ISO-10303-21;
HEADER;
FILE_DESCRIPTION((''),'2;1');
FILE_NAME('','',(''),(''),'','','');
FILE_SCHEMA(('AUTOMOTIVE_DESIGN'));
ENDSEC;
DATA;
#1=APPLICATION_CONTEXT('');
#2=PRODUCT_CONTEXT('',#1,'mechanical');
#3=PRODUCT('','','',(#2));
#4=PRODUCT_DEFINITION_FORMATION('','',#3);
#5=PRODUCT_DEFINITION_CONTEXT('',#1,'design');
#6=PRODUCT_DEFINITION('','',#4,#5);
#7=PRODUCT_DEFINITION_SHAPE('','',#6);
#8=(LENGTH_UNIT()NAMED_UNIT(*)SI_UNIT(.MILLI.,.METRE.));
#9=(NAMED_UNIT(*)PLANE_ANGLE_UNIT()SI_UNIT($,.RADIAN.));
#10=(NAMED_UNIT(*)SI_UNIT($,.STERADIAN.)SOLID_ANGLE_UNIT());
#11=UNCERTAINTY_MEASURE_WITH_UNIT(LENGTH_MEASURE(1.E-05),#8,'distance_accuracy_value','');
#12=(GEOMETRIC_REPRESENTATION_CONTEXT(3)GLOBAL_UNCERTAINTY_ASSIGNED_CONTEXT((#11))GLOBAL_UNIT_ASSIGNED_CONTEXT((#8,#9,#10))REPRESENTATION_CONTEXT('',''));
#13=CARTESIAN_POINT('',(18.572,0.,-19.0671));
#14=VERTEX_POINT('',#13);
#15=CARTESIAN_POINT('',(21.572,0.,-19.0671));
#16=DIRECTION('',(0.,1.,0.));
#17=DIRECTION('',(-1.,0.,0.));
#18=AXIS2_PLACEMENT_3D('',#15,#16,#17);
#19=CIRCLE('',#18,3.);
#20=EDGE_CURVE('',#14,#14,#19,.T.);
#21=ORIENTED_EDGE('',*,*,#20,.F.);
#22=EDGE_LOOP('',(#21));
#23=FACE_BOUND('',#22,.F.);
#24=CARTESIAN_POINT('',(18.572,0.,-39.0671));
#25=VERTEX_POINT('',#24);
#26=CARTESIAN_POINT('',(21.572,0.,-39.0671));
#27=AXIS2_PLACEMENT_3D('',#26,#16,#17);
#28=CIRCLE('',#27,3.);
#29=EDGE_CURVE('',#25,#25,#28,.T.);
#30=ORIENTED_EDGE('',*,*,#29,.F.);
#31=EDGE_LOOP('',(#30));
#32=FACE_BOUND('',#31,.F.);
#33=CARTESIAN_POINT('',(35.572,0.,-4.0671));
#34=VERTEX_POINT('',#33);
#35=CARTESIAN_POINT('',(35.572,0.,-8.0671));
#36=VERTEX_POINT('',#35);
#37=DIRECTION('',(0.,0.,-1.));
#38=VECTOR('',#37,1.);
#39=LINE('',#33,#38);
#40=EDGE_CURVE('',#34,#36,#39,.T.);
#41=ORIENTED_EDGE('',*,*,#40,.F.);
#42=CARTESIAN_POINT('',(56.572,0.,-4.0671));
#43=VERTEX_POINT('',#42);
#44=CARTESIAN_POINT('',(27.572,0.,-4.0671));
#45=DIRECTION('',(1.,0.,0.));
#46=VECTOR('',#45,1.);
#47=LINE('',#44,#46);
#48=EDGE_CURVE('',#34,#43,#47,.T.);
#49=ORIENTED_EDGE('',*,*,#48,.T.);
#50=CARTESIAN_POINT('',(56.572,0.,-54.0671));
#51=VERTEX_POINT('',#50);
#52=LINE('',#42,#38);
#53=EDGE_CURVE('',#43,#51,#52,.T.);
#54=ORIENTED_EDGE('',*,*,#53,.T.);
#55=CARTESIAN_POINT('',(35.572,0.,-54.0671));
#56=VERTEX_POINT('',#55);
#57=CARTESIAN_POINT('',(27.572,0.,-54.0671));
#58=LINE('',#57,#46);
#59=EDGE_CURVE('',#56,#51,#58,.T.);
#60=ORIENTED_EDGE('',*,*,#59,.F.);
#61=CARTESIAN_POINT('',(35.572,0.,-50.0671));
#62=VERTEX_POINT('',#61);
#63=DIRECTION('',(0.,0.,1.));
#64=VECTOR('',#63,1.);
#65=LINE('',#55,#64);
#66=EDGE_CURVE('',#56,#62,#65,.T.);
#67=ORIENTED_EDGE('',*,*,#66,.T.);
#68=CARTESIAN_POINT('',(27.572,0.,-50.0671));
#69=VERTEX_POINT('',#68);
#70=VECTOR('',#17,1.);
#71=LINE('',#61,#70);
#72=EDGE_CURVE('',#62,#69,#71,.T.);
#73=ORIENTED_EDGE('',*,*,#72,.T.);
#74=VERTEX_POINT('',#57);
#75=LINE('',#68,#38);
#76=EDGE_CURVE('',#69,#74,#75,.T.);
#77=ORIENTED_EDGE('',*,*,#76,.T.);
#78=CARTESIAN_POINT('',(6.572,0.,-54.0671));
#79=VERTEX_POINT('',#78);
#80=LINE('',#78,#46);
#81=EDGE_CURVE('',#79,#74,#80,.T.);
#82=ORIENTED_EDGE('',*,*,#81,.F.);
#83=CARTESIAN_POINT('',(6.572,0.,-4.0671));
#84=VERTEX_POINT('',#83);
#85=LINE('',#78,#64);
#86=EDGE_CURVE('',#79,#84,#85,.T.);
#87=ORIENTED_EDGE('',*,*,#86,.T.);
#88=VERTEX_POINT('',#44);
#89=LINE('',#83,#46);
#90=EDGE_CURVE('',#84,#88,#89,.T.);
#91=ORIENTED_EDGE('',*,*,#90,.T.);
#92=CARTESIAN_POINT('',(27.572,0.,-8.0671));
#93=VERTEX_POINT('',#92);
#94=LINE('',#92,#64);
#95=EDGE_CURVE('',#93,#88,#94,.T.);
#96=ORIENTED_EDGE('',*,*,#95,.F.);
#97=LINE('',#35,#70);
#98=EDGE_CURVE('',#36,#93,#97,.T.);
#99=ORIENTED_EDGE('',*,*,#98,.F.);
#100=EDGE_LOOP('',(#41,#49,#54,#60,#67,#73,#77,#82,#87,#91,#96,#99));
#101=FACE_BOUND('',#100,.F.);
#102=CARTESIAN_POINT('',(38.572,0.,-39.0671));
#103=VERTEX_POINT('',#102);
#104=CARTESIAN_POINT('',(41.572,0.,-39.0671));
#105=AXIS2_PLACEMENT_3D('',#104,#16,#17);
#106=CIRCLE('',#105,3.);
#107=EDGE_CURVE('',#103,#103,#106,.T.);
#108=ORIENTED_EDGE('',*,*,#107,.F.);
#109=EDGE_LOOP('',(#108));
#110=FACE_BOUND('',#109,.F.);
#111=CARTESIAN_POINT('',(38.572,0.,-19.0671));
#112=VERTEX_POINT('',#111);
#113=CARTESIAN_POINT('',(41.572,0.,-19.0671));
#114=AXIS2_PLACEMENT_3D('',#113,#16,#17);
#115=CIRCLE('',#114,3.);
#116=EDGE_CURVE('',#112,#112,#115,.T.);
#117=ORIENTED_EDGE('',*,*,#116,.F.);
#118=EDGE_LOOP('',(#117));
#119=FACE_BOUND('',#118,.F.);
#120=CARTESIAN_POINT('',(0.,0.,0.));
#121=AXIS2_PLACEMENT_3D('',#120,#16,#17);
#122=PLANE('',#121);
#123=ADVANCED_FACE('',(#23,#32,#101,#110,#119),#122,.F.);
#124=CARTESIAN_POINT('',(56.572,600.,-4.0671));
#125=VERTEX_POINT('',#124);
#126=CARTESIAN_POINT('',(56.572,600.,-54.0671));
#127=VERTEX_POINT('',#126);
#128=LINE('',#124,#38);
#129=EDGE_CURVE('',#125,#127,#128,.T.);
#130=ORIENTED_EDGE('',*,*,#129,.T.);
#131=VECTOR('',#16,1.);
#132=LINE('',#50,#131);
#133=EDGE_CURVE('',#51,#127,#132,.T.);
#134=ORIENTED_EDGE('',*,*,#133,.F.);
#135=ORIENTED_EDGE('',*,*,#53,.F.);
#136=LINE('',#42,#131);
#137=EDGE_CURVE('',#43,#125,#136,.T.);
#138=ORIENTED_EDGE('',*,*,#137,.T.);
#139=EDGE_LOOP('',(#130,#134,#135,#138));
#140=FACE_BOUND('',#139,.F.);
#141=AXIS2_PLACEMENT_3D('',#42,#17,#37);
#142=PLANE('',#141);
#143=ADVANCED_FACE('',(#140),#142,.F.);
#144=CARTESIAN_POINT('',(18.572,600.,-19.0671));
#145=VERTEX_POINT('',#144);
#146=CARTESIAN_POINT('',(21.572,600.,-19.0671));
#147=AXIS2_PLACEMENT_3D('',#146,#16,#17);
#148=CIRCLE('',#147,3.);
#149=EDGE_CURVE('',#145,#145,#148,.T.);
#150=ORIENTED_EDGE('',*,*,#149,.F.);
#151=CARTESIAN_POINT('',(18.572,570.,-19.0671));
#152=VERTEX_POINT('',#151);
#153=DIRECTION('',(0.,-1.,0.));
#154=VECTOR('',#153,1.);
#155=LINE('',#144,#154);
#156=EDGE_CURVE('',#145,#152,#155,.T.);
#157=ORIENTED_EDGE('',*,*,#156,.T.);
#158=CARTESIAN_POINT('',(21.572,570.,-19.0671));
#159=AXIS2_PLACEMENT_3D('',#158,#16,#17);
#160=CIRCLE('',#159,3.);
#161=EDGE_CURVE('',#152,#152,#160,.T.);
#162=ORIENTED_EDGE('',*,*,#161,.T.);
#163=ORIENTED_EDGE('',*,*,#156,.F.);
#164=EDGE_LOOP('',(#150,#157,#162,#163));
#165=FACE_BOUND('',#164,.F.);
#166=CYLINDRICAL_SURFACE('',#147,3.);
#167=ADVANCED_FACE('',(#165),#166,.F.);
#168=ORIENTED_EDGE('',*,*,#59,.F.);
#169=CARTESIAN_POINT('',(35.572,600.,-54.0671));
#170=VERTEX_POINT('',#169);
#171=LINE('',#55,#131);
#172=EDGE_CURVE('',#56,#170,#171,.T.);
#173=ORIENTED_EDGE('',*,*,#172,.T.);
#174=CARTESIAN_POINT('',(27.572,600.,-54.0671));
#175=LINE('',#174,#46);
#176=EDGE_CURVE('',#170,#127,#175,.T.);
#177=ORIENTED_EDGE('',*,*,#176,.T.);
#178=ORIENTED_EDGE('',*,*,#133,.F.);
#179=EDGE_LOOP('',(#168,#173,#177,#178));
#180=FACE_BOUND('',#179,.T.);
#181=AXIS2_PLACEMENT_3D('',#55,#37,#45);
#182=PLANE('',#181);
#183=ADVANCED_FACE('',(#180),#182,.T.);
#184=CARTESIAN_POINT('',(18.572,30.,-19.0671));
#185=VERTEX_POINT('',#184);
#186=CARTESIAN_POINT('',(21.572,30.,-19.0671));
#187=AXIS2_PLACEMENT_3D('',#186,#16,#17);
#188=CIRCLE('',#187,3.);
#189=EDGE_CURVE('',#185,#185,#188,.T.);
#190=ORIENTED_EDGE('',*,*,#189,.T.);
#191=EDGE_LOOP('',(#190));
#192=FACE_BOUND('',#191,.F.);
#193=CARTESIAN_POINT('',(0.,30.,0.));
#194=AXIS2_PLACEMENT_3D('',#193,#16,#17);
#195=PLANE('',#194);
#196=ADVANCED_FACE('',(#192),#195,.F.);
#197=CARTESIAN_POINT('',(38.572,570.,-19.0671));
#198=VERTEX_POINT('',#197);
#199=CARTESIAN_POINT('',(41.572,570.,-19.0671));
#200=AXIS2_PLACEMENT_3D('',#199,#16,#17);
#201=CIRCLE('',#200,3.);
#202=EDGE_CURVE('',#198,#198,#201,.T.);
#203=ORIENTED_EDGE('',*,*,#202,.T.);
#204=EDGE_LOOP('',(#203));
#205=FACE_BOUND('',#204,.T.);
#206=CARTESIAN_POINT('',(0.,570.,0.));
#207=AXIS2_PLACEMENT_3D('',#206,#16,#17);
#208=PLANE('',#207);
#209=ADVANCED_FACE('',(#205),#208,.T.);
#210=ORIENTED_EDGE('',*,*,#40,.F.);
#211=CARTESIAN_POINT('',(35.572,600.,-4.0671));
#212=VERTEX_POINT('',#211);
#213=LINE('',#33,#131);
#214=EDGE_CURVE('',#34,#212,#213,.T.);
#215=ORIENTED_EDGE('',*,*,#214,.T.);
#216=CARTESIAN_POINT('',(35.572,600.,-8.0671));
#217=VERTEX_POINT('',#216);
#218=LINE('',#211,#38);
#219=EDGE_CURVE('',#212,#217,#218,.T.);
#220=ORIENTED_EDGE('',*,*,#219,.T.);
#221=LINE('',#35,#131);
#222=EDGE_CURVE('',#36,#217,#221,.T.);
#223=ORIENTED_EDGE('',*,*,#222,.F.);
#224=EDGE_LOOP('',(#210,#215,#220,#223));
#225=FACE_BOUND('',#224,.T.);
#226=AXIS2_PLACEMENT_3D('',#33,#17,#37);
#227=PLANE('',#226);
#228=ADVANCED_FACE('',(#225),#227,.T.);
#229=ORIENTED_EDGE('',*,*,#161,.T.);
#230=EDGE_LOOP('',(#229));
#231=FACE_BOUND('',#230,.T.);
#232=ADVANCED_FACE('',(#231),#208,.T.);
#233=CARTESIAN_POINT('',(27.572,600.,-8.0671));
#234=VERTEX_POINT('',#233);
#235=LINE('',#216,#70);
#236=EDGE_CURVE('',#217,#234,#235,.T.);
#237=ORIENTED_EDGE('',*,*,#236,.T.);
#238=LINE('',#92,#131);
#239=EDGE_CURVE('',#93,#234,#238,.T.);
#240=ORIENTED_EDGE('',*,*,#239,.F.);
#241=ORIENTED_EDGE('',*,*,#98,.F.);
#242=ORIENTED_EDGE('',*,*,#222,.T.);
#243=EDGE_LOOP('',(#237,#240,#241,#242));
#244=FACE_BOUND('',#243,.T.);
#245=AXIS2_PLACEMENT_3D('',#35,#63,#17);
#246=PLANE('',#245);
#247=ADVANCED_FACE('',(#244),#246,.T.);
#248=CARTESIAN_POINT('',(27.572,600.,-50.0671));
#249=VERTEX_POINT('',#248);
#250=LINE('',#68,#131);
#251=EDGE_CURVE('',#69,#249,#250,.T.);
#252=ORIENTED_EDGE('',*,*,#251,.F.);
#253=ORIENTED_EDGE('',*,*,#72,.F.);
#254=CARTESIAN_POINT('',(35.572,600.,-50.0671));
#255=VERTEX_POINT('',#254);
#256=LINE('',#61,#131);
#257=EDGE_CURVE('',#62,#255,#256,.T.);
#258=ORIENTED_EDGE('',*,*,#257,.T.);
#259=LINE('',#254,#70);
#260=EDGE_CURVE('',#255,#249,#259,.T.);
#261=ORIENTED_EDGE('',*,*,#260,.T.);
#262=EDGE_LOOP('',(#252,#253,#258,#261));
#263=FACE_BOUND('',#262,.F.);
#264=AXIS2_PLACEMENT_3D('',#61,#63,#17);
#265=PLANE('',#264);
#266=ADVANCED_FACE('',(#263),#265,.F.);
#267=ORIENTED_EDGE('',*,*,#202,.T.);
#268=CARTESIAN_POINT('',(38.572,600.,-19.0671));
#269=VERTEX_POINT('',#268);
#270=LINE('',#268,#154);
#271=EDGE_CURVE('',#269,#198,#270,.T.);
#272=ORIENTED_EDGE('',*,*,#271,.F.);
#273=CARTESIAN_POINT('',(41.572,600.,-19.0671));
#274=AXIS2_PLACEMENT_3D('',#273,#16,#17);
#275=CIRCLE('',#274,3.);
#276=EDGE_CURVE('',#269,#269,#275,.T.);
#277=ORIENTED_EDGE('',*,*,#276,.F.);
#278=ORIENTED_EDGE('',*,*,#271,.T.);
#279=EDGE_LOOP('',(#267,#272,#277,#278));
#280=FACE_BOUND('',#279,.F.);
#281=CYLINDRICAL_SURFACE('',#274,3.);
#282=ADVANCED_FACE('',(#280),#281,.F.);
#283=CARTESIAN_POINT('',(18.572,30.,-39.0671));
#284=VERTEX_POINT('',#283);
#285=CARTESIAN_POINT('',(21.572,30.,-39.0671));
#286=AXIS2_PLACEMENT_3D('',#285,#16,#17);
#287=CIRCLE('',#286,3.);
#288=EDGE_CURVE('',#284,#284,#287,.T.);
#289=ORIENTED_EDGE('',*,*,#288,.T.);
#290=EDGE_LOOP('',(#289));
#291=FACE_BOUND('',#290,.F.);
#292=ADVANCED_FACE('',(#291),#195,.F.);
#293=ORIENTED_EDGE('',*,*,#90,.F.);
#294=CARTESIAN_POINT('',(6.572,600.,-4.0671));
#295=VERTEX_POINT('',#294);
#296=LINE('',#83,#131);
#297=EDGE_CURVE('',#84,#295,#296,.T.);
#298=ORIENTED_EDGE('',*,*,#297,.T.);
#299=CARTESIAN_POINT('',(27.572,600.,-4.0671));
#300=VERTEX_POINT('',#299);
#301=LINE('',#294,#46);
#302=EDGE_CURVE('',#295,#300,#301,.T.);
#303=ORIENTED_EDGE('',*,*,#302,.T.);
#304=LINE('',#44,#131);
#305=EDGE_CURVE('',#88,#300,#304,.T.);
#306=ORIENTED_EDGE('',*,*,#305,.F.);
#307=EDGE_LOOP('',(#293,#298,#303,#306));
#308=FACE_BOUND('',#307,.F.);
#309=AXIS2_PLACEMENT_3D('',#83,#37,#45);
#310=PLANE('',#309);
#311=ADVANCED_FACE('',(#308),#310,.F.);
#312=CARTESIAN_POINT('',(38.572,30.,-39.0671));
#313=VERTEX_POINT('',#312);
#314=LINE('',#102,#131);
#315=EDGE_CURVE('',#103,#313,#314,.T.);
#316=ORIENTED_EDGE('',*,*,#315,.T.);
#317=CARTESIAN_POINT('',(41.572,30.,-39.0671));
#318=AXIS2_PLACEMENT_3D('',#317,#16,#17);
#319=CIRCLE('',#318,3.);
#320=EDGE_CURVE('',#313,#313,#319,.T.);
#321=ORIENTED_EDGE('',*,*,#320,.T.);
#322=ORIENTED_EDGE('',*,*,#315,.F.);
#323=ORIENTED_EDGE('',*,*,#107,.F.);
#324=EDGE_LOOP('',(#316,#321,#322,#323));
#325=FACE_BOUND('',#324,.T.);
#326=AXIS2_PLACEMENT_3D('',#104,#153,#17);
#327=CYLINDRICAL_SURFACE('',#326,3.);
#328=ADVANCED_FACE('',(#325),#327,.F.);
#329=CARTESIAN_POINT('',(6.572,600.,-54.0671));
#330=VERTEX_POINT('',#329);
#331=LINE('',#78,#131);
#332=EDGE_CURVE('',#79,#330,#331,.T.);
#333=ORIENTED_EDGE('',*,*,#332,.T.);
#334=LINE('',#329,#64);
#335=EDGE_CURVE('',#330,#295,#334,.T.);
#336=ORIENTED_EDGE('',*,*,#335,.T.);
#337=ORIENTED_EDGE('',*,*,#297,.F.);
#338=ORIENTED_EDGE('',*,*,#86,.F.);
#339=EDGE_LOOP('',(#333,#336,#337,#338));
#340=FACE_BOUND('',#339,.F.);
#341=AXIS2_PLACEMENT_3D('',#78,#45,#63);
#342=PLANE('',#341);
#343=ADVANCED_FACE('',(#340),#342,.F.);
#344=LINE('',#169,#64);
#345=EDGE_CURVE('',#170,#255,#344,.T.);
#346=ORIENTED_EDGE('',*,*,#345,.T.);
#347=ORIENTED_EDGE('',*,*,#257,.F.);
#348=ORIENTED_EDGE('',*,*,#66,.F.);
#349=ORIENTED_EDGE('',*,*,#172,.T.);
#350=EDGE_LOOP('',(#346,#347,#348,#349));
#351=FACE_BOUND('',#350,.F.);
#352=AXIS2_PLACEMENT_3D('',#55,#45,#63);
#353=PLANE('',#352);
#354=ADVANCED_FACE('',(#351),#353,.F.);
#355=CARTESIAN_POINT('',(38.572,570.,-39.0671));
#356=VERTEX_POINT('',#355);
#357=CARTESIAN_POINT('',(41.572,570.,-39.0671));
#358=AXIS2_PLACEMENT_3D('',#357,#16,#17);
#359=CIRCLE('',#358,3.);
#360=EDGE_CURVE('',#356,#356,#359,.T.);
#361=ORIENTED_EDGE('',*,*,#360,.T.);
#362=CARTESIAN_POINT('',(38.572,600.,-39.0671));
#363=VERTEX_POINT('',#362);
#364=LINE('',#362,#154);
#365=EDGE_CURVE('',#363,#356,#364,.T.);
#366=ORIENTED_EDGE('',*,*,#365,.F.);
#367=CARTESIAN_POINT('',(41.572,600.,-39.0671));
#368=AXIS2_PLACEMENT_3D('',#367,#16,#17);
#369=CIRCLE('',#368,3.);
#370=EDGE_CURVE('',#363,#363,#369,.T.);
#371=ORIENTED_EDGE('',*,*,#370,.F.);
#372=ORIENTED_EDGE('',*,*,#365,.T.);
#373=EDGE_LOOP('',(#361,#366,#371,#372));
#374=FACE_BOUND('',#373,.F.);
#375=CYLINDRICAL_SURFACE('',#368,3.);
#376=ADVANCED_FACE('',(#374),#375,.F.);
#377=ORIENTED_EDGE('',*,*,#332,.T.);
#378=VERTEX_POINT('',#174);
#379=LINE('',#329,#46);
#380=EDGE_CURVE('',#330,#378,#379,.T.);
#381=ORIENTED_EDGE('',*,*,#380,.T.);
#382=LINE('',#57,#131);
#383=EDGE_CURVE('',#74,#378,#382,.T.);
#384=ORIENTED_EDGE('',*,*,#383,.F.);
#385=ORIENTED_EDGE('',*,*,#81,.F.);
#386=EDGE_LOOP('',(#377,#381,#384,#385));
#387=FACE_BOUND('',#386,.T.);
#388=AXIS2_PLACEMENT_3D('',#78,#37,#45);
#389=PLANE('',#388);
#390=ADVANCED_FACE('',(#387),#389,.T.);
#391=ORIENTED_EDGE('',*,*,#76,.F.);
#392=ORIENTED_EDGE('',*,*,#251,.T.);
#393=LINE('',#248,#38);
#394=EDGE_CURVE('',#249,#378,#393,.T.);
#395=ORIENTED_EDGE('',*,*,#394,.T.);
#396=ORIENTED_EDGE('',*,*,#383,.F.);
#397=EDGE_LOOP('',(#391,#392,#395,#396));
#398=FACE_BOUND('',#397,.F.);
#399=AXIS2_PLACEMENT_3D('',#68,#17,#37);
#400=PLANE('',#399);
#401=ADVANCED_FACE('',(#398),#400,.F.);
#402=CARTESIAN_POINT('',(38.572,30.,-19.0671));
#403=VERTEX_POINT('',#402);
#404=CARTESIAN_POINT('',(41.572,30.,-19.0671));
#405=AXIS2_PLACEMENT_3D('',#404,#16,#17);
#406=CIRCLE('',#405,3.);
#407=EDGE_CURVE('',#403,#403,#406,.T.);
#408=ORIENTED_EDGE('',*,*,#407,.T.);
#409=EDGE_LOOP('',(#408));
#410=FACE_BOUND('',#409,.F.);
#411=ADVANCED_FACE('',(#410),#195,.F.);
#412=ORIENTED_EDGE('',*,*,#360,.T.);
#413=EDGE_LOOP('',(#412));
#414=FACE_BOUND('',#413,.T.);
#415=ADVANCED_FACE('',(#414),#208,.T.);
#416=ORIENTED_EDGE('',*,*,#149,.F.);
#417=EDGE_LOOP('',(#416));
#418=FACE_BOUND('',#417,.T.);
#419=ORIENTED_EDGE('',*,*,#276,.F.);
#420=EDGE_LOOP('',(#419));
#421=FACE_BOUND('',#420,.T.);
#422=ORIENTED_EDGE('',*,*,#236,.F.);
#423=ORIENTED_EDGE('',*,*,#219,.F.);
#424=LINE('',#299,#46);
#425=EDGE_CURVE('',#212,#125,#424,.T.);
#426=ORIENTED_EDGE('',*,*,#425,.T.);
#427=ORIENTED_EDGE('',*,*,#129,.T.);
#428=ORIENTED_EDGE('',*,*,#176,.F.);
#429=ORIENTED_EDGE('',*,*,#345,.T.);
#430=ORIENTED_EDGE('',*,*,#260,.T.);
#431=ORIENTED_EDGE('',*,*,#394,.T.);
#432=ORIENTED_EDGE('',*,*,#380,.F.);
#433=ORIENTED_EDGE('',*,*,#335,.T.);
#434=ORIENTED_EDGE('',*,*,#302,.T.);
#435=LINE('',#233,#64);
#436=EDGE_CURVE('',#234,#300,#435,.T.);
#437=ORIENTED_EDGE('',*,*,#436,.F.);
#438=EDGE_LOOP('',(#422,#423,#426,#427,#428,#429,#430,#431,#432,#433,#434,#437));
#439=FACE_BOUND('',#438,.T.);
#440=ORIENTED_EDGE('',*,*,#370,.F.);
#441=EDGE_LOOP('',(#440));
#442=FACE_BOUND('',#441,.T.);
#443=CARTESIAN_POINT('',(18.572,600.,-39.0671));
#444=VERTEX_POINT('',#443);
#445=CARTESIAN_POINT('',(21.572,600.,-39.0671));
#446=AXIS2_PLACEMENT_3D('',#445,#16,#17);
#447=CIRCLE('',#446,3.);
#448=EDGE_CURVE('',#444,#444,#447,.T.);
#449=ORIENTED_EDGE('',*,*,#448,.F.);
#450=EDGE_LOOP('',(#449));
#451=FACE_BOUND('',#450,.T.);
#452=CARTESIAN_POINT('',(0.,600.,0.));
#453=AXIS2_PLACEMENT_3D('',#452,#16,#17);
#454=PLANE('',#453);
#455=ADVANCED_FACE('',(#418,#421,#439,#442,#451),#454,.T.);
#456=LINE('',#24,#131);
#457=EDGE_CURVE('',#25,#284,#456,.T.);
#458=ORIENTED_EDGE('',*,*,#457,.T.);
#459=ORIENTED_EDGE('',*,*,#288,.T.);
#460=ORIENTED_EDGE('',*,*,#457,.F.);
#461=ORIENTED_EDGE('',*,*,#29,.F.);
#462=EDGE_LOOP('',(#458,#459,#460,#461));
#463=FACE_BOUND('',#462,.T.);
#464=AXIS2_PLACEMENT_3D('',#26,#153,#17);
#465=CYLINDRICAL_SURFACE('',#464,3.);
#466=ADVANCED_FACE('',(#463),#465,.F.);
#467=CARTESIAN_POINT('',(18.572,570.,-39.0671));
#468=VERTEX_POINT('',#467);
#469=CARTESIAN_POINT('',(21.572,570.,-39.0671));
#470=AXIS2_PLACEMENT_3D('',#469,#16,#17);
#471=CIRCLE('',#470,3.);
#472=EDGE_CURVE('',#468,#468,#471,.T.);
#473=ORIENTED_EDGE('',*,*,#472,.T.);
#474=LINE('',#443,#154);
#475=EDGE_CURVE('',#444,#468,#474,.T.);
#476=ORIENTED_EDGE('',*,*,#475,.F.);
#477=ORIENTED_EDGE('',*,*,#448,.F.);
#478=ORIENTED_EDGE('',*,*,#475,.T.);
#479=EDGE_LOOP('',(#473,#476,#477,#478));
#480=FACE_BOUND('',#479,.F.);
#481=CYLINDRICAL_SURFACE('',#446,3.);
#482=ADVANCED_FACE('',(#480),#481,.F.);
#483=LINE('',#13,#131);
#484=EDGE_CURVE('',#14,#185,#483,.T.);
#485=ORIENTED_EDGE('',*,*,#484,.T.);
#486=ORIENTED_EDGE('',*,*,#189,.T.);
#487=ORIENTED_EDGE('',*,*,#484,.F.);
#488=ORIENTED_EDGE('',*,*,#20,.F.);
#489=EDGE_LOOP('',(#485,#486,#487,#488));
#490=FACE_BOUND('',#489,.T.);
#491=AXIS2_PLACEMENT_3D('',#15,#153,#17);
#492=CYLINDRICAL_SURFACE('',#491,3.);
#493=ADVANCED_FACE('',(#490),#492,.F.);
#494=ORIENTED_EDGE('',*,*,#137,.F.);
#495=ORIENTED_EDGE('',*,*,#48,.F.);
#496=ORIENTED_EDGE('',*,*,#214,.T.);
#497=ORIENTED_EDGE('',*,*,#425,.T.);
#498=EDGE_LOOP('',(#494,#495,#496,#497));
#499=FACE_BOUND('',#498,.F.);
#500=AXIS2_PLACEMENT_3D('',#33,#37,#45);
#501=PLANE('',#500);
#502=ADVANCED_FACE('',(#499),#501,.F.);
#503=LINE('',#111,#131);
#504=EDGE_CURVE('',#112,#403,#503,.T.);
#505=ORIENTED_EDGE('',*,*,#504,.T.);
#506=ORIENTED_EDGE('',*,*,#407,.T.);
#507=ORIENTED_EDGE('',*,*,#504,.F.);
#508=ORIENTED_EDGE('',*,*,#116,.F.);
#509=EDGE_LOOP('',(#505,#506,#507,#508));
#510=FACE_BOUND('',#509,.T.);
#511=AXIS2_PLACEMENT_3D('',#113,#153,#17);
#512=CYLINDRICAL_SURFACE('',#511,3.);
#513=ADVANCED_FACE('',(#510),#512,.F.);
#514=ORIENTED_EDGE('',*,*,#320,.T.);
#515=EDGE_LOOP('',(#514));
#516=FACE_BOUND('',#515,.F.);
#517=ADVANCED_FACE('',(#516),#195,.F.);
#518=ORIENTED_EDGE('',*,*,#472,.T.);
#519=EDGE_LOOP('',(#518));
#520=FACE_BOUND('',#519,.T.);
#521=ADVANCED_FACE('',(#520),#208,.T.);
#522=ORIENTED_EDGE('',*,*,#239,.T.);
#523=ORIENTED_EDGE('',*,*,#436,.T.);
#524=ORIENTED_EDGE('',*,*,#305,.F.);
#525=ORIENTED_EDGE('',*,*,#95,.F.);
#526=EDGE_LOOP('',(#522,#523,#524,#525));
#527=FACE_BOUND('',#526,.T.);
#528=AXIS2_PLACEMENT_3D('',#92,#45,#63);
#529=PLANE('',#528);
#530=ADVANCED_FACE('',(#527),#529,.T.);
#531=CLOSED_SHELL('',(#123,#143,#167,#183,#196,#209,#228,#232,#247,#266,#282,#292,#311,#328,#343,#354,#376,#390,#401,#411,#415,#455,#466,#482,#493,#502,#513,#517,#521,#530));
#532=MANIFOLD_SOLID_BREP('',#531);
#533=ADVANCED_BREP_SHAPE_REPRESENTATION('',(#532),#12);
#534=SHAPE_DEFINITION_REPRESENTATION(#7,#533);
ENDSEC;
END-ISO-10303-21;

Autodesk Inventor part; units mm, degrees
ref_plane "YZ Plane" through (0, 0, 0) normal (1, 0, 0) x (0, 1, 0)
ref_plane "XZ Plane" through (0, 0, 0) normal (0, 1, 0) x (-1, 0, 0)
ref_plane "XY Plane" through (0, 0, 0) normal (0, 0, 1) x (1, 0, 0)
sketch "Sketch3" plane through (0, 0, 0) normal (0, 1, 0) x (-1, 0, 0)
  line L0 (-56.572, -4.0671) -> (-56.572, -54.0671)
  line L1 (-6.572, -54.0671) -> (-6.572, -4.0671)
  line L2 (-6.572, -4.0671) -> (-35.572, -4.0671)
  line L3 (-35.572, -4.0671) -> (-35.572, -8.0671)
  line L4 (-35.572, -8.0671) -> (-27.572, -8.0671)
  line L5 (-27.572, -8.0671) -> (-27.572, -4.0671)
  line L6 (-27.572, -4.0671) -> (-56.572, -4.0671)
  line L7 (-6.572, -29.0671) -> (-22.7851, -29.0671) construction
  line L8 (-6.572, -54.0671) -> (-35.572, -54.0671)
  line L9 (-35.572, -54.0671) -> (-35.572, -50.0671)
  line L10 (-35.572, -50.0671) -> (-27.572, -50.0671)
  line L11 (-27.572, -50.0671) -> (-27.572, -54.0671)
  line L12 (-27.572, -54.0671) -> (-56.572, -54.0671)
  line L13 (-21.572, -4.0671) -> (-21.572, -19.0671) construction
  line L14 (-21.572, -19.0671) -> (-6.572, -19.0671) construction
  line L15 (-56.572, -19.0671) -> (-41.572, -19.0671) construction
  line L16 (-56.572, -39.0671) -> (-41.572, -39.0671) construction
  line L17 (-21.572, -54.0671) -> (-21.572, -39.0671) construction
  line L18 (-21.572, -39.0671) -> (-6.572, -39.0671) construction
  circle A0 centre (-21.572, -19.0671) radius 3
  circle A1 centre (-41.572, -19.0671) radius 3
  circle A2 centre (-41.572, -39.0671) radius 3
  circle A3 centre (-21.572, -39.0671) radius 3
  point P0 (-35.572, -4.0671)
  dimension "d36" = 50
  dimension "d37" = 50
  dimension "d38" = 4
  dimension "d40" = 15
  dimension "d41" = 6
  dimension "d46" = 8
extrude "Extrusion3" add sketch "Sketch3" along normal blind 600 contours L6 L3 L4 L5 L2 L1 L8 L11 L10 L9 L12 L0 | A0 | A1 | A2 | A3
extrude "Extrusion6" cut sketch "Sketch3" along normal blind 30 contours A0 | A1 | A2 | A3
extrude "Extrusion7" cut sketch "Sketch3" against normal blind 30 from surface at 600 contours A0 | A1 | A2 | A3
equation "\"d36\" = inner_leg_width"
equation "\"d37\" = inner_leg_width"
equation "\"d38\" = cabel_shaft_size"
equation "\"d40\" = edge_to_hole"
equation "\"d41\" = hole_diameter"
equation "\"d46\" = 2 * cabel_shaft_size"
equation "\"d12\" = height"
equation "\"d42\" = hole_depth"
equation "\"d44\" = hole_depth"
equation "\"cabel_shaft_size\" = 4"
equation "\"edge_to_hole\" = 15"
equation "\"hole_diameter\" = 6"
equation "\"height\" = 600"
equation "\"inner_leg_width\" = 50"
equation "\"hole_depth\" = 30"
properties part number "1_inner_leg"
